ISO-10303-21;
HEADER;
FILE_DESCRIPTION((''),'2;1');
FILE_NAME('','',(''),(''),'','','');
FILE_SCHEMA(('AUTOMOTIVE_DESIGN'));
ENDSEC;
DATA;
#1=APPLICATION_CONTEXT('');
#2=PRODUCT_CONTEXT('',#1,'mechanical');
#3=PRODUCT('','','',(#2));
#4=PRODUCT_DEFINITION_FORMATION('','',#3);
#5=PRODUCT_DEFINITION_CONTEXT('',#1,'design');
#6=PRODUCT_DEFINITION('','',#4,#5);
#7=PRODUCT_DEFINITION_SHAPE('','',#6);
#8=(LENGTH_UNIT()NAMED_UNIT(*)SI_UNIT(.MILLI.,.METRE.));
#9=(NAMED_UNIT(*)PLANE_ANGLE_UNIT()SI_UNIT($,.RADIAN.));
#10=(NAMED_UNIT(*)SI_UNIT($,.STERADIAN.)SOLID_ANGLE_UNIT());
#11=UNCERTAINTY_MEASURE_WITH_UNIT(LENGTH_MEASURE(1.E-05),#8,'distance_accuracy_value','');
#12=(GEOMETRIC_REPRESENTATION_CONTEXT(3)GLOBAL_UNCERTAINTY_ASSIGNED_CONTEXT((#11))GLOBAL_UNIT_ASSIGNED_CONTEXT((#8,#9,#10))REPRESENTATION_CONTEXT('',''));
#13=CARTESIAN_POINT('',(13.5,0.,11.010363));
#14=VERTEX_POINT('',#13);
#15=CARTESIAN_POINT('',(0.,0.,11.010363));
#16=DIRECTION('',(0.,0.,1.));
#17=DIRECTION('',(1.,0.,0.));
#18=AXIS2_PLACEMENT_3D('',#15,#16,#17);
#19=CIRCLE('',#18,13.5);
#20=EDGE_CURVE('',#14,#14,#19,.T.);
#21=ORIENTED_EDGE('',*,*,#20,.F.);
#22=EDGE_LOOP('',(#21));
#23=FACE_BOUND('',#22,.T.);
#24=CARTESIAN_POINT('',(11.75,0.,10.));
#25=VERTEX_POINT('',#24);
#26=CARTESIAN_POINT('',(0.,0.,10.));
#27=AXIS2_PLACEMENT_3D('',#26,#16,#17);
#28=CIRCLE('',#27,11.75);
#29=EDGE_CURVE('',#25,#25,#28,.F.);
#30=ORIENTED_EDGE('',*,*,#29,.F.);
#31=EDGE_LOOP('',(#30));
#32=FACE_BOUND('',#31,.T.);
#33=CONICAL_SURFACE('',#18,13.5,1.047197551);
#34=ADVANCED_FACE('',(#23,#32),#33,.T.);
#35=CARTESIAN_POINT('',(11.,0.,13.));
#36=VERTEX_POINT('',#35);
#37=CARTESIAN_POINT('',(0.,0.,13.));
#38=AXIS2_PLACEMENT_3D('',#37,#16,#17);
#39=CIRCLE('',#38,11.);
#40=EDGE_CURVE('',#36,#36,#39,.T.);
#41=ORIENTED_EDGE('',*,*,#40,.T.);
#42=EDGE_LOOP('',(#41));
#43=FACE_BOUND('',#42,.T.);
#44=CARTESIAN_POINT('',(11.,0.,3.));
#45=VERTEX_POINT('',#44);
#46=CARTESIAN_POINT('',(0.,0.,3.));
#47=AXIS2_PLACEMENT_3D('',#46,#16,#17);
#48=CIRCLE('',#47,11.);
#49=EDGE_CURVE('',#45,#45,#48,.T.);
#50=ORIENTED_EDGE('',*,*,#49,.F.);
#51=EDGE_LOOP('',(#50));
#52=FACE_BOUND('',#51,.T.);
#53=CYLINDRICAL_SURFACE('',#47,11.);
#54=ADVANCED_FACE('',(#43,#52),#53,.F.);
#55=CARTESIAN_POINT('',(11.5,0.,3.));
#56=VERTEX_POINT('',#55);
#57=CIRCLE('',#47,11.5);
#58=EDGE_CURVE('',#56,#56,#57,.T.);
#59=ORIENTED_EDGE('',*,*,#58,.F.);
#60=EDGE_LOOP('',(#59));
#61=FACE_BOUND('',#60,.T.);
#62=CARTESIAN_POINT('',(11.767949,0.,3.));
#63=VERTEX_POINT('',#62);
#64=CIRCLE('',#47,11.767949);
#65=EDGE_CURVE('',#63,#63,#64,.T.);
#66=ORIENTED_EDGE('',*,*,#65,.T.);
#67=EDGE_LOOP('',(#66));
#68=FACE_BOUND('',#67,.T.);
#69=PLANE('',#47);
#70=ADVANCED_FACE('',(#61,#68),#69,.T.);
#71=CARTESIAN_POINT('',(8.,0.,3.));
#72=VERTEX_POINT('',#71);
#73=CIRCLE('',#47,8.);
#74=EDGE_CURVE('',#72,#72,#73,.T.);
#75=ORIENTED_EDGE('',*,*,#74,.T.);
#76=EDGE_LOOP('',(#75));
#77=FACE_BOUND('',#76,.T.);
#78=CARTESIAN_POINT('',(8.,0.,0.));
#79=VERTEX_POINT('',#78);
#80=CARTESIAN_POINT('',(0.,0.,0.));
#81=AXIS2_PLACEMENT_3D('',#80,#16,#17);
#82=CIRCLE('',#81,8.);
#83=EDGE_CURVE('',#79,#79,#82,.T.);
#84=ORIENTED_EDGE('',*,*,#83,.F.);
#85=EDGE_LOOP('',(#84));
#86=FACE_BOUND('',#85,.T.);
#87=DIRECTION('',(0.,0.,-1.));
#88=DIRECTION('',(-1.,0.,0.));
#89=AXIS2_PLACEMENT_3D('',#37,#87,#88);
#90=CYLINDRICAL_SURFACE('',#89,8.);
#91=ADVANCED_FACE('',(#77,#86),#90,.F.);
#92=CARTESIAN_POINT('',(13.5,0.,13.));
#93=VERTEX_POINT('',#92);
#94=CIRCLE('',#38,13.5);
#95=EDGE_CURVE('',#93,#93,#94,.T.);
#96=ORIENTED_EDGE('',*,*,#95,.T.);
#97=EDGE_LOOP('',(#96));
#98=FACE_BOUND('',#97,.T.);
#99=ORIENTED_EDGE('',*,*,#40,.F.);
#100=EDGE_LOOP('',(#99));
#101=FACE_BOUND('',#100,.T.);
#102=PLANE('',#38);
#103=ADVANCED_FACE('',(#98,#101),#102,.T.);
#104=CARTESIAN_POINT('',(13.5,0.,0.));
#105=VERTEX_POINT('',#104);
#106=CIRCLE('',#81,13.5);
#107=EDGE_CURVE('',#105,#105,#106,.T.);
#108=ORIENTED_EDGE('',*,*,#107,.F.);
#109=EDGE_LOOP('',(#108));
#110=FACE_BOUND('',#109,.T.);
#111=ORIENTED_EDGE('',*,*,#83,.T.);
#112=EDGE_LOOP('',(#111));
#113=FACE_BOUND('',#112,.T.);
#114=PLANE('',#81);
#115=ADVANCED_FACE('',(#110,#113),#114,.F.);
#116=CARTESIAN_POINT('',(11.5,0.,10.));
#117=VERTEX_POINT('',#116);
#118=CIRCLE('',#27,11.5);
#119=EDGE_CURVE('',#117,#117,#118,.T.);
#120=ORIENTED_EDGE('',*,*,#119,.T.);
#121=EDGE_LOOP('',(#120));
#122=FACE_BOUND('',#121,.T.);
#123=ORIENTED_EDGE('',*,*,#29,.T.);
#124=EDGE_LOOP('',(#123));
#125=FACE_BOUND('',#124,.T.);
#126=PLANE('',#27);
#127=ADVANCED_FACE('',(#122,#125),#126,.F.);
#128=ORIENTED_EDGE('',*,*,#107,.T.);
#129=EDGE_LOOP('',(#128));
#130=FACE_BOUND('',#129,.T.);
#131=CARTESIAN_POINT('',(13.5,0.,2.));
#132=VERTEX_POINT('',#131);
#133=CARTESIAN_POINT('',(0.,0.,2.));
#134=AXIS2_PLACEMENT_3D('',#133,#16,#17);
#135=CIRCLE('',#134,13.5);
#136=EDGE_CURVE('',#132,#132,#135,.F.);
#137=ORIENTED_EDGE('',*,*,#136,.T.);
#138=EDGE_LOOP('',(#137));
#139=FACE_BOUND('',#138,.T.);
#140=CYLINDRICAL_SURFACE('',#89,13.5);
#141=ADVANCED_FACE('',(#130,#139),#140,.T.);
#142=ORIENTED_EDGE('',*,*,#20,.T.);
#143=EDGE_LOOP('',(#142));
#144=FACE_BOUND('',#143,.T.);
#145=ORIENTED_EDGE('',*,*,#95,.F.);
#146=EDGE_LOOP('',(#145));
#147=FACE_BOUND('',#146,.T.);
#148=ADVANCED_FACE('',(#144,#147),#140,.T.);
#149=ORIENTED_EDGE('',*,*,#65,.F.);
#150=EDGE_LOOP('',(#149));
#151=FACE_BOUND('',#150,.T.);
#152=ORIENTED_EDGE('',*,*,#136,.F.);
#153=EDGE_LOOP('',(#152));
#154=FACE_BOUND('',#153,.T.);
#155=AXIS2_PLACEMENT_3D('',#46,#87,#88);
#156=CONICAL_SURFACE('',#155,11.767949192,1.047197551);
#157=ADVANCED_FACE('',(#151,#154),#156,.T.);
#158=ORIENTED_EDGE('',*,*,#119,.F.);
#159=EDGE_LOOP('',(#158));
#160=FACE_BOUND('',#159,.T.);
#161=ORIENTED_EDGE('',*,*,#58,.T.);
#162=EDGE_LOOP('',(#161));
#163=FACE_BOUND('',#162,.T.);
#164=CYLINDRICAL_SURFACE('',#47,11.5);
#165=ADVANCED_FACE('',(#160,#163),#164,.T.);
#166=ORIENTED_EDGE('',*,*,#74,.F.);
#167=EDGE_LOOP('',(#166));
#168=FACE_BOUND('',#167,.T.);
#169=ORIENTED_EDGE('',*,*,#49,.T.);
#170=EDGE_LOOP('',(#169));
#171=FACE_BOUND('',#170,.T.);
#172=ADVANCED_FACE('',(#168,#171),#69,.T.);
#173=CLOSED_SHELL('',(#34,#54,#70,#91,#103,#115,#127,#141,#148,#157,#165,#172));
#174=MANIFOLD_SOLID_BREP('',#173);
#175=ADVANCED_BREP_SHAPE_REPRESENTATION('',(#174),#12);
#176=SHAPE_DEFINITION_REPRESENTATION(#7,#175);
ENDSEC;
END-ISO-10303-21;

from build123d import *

# Parameters (mm, degrees)
SKETCH1_R           = 13.5
SKETCH1_R_2         = 8
BOSS_EXTRUDE1_DEPTH = 13
SKETCH2_R           = 11
CUT_EXTRUDE1_DEPTH  = 10
CUT_EXTRUDE2_START  = -3
SKETCH3_OUTSIDE_W   = 37.068
SKETCH3_OUTSIDE_H   = 37.068
SKETCH3_OUTSIDE_R   = 11.5
CUT_EXTRUDE2_DEPTH  = 7
CHAMFER1_SIZE       = 1.75
CHAMFER1_SIZE2      = 1.010362971
CHAMFER2_SIZE       = 1
CHAMFER2_SIZE2      = 1.732050808


with BuildPart() as part:
    # Sketch1 → Boss-Extrude1 (new body)
    with BuildSketch(Plane.XY):
        Circle(SKETCH1_R)
        Circle(SKETCH1_R_2, mode=Mode.SUBTRACT)
    extrude(amount=BOSS_EXTRUDE1_DEPTH)

    # Sketch2 → Cut-Extrude1 (cut)
    with BuildSketch(Plane.XY.offset(13)):
        Circle(SKETCH2_R)
    extrude(amount=-CUT_EXTRUDE1_DEPTH, mode=Mode.SUBTRACT)

    # Sketch3 outside → Cut-Extrude2 (cut)
    with BuildSketch(Plane.XY.offset(13).offset(CUT_EXTRUDE2_START)):
        Rectangle(SKETCH3_OUTSIDE_W, SKETCH3_OUTSIDE_H)
        Circle(SKETCH3_OUTSIDE_R, mode=Mode.SUBTRACT)
    extrude(amount=-CUT_EXTRUDE2_DEPTH, mode=Mode.SUBTRACT)

    # Chamfer1
    chamfer1_edges = [part.edges().sort_by_distance(p)[0] for p in [
        (-13.5, 0, 10),
    ]]
    chamfer1_side = [part.faces().sort_by_distance(p)[0] for p in [
        (-13.118162338, 0, 10),
    ]]
    chamfer(chamfer1_edges, length=CHAMFER1_SIZE, length2=CHAMFER1_SIZE2, reference=chamfer1_side[0])

    # Chamfer2
    chamfer2_edges = [part.edges().sort_by_distance(p)[0] for p in [
        (-13.5, 0, 3),
    ]]
    chamfer2_side = [part.faces().sort_by_distance(p)[0] for p in [
        (-13.5, 0, 1.5),
    ]]
    chamfer(chamfer2_edges, length=CHAMFER2_SIZE, length2=CHAMFER2_SIZE2, reference=chamfer2_side[0])


solid = part.part
